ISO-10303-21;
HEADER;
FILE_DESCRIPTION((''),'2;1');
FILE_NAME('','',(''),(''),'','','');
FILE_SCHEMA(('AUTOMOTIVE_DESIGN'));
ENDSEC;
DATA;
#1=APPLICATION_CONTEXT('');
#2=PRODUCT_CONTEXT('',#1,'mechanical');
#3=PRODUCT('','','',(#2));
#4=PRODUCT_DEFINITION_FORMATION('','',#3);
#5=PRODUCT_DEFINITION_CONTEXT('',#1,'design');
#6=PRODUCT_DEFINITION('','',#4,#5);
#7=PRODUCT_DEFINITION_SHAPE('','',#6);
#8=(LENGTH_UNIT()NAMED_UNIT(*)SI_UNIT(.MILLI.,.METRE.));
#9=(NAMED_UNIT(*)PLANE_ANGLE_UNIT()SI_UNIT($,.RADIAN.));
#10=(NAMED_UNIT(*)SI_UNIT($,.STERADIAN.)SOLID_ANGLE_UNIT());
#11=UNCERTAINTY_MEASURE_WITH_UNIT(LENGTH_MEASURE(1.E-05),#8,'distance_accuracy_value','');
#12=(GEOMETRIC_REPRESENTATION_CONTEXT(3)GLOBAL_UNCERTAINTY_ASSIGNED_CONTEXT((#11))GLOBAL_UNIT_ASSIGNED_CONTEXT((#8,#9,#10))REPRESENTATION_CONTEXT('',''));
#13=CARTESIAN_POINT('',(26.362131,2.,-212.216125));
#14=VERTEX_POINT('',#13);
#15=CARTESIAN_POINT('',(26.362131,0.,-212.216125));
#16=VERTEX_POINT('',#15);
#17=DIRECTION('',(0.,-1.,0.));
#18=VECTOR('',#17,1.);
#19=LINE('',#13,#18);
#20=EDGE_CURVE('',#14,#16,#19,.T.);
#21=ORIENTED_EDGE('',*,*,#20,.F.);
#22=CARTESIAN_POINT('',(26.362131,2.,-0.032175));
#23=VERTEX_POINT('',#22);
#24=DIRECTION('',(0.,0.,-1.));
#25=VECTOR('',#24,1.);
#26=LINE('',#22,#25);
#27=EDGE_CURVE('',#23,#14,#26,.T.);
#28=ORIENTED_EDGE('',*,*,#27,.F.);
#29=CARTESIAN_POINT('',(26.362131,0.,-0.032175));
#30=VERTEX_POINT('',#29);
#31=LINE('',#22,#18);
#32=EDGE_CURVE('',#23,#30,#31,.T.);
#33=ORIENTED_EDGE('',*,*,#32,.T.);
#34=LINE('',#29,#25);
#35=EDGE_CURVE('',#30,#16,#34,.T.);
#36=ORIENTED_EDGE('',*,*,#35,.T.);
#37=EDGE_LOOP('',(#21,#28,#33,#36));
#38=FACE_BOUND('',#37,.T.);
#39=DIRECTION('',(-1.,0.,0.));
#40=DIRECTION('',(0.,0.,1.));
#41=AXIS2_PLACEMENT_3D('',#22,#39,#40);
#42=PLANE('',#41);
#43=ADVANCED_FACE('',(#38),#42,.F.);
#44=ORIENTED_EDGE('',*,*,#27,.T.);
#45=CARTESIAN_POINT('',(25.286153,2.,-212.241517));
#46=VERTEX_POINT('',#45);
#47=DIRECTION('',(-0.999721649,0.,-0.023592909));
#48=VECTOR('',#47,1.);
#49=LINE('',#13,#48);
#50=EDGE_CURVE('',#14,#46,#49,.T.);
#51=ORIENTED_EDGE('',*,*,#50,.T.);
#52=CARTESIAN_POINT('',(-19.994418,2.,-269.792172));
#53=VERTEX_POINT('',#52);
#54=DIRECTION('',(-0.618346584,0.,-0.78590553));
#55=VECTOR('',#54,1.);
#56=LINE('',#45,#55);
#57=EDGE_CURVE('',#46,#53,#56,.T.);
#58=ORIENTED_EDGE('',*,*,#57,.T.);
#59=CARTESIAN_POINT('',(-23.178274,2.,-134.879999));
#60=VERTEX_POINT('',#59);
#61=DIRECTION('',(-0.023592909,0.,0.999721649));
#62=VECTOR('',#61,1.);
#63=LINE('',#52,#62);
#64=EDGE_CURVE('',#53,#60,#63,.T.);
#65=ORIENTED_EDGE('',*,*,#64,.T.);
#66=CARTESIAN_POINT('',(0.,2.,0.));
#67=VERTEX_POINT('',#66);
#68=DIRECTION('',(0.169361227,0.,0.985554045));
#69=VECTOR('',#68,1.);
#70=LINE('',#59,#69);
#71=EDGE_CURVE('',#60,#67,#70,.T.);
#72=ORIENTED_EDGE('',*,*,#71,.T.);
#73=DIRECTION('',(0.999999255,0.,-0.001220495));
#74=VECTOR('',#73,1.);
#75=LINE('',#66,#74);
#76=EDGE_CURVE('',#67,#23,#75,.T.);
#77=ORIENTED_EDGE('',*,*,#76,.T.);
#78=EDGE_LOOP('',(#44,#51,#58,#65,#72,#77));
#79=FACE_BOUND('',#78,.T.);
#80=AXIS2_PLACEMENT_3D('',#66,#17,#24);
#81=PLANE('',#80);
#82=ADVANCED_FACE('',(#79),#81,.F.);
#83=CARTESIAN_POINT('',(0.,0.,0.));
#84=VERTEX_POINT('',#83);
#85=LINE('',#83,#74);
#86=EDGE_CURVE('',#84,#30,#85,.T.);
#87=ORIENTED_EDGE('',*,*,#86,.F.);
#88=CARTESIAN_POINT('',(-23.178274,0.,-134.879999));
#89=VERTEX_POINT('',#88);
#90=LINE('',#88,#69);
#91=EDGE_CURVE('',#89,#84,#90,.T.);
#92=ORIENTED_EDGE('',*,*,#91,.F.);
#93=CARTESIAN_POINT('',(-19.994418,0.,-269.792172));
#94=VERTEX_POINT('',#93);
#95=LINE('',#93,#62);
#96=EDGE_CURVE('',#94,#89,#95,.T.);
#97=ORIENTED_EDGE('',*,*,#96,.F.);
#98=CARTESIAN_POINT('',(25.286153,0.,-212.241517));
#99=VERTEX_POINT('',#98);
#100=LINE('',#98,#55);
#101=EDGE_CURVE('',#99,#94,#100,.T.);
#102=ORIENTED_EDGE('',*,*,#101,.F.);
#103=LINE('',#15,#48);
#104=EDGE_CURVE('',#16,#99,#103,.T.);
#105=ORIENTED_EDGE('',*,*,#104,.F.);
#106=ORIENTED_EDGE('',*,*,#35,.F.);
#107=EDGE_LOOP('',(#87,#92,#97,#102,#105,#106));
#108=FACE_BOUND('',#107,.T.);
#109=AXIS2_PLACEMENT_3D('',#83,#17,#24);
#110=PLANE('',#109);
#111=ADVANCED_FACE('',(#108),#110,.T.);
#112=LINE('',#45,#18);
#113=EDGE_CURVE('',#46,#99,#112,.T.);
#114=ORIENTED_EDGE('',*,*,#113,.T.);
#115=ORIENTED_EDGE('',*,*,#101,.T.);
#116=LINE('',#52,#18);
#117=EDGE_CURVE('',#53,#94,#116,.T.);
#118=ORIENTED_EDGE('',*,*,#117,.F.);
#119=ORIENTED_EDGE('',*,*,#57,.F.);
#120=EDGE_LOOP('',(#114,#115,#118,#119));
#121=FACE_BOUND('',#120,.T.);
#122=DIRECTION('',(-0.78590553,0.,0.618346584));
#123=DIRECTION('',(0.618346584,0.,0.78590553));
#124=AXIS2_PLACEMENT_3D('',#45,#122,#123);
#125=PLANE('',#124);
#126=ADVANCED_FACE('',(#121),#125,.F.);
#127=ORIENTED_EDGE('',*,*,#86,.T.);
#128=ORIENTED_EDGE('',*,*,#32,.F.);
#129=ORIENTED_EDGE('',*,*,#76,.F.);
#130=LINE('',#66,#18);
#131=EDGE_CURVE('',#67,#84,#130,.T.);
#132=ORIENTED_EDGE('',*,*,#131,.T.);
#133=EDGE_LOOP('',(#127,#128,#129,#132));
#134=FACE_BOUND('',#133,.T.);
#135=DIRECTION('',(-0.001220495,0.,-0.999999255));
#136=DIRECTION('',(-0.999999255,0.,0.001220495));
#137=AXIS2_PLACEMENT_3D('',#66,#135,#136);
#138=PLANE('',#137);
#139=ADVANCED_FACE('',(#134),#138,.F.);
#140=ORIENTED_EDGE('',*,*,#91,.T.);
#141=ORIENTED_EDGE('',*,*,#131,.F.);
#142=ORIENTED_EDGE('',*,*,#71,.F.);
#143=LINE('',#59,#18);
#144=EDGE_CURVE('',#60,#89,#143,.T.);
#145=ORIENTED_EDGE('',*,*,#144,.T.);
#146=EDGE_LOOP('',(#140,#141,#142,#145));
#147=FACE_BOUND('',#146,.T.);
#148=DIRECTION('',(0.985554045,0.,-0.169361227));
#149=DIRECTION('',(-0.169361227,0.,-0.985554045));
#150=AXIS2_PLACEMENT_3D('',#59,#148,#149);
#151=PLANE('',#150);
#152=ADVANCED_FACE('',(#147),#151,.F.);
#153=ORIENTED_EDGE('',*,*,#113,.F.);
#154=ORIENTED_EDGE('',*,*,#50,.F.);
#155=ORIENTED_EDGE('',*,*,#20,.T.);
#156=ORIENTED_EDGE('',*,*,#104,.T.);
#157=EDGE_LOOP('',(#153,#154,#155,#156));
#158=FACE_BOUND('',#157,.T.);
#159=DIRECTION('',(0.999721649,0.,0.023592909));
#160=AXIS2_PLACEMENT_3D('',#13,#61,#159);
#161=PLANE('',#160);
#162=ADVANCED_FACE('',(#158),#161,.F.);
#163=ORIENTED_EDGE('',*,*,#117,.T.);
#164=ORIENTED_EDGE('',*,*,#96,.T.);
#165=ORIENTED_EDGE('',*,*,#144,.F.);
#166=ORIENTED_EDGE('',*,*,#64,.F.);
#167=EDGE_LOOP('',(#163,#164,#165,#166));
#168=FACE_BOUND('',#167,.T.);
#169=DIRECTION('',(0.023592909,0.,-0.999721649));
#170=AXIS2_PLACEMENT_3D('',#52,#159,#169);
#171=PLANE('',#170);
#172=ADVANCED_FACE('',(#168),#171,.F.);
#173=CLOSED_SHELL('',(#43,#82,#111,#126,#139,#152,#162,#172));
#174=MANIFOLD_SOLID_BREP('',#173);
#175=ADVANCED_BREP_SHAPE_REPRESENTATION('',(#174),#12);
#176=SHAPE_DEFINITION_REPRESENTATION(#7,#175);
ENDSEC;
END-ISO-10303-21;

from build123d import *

# Parameters (mm, degrees)
BOSS_EXTRU_1_DEPTH = 2


with BuildPart() as part:
    # Esquisse1 → Boss.-Extru.1 (new body)
    with BuildSketch(Plane(origin=(0, 0, 0), x_dir=(1, 0, 0), z_dir=(0, 1, 0))):
        Polygon((-23.178274329, 134.879998693), (0, 0), (26.362131136, 0.032174861), (26.362131136, 212.216124508), (25.286153349, 212.241517022), (-19.994417521, 269.792172247), align=None)
    extrude(amount=BOSS_EXTRU_1_DEPTH)


solid = part.part
